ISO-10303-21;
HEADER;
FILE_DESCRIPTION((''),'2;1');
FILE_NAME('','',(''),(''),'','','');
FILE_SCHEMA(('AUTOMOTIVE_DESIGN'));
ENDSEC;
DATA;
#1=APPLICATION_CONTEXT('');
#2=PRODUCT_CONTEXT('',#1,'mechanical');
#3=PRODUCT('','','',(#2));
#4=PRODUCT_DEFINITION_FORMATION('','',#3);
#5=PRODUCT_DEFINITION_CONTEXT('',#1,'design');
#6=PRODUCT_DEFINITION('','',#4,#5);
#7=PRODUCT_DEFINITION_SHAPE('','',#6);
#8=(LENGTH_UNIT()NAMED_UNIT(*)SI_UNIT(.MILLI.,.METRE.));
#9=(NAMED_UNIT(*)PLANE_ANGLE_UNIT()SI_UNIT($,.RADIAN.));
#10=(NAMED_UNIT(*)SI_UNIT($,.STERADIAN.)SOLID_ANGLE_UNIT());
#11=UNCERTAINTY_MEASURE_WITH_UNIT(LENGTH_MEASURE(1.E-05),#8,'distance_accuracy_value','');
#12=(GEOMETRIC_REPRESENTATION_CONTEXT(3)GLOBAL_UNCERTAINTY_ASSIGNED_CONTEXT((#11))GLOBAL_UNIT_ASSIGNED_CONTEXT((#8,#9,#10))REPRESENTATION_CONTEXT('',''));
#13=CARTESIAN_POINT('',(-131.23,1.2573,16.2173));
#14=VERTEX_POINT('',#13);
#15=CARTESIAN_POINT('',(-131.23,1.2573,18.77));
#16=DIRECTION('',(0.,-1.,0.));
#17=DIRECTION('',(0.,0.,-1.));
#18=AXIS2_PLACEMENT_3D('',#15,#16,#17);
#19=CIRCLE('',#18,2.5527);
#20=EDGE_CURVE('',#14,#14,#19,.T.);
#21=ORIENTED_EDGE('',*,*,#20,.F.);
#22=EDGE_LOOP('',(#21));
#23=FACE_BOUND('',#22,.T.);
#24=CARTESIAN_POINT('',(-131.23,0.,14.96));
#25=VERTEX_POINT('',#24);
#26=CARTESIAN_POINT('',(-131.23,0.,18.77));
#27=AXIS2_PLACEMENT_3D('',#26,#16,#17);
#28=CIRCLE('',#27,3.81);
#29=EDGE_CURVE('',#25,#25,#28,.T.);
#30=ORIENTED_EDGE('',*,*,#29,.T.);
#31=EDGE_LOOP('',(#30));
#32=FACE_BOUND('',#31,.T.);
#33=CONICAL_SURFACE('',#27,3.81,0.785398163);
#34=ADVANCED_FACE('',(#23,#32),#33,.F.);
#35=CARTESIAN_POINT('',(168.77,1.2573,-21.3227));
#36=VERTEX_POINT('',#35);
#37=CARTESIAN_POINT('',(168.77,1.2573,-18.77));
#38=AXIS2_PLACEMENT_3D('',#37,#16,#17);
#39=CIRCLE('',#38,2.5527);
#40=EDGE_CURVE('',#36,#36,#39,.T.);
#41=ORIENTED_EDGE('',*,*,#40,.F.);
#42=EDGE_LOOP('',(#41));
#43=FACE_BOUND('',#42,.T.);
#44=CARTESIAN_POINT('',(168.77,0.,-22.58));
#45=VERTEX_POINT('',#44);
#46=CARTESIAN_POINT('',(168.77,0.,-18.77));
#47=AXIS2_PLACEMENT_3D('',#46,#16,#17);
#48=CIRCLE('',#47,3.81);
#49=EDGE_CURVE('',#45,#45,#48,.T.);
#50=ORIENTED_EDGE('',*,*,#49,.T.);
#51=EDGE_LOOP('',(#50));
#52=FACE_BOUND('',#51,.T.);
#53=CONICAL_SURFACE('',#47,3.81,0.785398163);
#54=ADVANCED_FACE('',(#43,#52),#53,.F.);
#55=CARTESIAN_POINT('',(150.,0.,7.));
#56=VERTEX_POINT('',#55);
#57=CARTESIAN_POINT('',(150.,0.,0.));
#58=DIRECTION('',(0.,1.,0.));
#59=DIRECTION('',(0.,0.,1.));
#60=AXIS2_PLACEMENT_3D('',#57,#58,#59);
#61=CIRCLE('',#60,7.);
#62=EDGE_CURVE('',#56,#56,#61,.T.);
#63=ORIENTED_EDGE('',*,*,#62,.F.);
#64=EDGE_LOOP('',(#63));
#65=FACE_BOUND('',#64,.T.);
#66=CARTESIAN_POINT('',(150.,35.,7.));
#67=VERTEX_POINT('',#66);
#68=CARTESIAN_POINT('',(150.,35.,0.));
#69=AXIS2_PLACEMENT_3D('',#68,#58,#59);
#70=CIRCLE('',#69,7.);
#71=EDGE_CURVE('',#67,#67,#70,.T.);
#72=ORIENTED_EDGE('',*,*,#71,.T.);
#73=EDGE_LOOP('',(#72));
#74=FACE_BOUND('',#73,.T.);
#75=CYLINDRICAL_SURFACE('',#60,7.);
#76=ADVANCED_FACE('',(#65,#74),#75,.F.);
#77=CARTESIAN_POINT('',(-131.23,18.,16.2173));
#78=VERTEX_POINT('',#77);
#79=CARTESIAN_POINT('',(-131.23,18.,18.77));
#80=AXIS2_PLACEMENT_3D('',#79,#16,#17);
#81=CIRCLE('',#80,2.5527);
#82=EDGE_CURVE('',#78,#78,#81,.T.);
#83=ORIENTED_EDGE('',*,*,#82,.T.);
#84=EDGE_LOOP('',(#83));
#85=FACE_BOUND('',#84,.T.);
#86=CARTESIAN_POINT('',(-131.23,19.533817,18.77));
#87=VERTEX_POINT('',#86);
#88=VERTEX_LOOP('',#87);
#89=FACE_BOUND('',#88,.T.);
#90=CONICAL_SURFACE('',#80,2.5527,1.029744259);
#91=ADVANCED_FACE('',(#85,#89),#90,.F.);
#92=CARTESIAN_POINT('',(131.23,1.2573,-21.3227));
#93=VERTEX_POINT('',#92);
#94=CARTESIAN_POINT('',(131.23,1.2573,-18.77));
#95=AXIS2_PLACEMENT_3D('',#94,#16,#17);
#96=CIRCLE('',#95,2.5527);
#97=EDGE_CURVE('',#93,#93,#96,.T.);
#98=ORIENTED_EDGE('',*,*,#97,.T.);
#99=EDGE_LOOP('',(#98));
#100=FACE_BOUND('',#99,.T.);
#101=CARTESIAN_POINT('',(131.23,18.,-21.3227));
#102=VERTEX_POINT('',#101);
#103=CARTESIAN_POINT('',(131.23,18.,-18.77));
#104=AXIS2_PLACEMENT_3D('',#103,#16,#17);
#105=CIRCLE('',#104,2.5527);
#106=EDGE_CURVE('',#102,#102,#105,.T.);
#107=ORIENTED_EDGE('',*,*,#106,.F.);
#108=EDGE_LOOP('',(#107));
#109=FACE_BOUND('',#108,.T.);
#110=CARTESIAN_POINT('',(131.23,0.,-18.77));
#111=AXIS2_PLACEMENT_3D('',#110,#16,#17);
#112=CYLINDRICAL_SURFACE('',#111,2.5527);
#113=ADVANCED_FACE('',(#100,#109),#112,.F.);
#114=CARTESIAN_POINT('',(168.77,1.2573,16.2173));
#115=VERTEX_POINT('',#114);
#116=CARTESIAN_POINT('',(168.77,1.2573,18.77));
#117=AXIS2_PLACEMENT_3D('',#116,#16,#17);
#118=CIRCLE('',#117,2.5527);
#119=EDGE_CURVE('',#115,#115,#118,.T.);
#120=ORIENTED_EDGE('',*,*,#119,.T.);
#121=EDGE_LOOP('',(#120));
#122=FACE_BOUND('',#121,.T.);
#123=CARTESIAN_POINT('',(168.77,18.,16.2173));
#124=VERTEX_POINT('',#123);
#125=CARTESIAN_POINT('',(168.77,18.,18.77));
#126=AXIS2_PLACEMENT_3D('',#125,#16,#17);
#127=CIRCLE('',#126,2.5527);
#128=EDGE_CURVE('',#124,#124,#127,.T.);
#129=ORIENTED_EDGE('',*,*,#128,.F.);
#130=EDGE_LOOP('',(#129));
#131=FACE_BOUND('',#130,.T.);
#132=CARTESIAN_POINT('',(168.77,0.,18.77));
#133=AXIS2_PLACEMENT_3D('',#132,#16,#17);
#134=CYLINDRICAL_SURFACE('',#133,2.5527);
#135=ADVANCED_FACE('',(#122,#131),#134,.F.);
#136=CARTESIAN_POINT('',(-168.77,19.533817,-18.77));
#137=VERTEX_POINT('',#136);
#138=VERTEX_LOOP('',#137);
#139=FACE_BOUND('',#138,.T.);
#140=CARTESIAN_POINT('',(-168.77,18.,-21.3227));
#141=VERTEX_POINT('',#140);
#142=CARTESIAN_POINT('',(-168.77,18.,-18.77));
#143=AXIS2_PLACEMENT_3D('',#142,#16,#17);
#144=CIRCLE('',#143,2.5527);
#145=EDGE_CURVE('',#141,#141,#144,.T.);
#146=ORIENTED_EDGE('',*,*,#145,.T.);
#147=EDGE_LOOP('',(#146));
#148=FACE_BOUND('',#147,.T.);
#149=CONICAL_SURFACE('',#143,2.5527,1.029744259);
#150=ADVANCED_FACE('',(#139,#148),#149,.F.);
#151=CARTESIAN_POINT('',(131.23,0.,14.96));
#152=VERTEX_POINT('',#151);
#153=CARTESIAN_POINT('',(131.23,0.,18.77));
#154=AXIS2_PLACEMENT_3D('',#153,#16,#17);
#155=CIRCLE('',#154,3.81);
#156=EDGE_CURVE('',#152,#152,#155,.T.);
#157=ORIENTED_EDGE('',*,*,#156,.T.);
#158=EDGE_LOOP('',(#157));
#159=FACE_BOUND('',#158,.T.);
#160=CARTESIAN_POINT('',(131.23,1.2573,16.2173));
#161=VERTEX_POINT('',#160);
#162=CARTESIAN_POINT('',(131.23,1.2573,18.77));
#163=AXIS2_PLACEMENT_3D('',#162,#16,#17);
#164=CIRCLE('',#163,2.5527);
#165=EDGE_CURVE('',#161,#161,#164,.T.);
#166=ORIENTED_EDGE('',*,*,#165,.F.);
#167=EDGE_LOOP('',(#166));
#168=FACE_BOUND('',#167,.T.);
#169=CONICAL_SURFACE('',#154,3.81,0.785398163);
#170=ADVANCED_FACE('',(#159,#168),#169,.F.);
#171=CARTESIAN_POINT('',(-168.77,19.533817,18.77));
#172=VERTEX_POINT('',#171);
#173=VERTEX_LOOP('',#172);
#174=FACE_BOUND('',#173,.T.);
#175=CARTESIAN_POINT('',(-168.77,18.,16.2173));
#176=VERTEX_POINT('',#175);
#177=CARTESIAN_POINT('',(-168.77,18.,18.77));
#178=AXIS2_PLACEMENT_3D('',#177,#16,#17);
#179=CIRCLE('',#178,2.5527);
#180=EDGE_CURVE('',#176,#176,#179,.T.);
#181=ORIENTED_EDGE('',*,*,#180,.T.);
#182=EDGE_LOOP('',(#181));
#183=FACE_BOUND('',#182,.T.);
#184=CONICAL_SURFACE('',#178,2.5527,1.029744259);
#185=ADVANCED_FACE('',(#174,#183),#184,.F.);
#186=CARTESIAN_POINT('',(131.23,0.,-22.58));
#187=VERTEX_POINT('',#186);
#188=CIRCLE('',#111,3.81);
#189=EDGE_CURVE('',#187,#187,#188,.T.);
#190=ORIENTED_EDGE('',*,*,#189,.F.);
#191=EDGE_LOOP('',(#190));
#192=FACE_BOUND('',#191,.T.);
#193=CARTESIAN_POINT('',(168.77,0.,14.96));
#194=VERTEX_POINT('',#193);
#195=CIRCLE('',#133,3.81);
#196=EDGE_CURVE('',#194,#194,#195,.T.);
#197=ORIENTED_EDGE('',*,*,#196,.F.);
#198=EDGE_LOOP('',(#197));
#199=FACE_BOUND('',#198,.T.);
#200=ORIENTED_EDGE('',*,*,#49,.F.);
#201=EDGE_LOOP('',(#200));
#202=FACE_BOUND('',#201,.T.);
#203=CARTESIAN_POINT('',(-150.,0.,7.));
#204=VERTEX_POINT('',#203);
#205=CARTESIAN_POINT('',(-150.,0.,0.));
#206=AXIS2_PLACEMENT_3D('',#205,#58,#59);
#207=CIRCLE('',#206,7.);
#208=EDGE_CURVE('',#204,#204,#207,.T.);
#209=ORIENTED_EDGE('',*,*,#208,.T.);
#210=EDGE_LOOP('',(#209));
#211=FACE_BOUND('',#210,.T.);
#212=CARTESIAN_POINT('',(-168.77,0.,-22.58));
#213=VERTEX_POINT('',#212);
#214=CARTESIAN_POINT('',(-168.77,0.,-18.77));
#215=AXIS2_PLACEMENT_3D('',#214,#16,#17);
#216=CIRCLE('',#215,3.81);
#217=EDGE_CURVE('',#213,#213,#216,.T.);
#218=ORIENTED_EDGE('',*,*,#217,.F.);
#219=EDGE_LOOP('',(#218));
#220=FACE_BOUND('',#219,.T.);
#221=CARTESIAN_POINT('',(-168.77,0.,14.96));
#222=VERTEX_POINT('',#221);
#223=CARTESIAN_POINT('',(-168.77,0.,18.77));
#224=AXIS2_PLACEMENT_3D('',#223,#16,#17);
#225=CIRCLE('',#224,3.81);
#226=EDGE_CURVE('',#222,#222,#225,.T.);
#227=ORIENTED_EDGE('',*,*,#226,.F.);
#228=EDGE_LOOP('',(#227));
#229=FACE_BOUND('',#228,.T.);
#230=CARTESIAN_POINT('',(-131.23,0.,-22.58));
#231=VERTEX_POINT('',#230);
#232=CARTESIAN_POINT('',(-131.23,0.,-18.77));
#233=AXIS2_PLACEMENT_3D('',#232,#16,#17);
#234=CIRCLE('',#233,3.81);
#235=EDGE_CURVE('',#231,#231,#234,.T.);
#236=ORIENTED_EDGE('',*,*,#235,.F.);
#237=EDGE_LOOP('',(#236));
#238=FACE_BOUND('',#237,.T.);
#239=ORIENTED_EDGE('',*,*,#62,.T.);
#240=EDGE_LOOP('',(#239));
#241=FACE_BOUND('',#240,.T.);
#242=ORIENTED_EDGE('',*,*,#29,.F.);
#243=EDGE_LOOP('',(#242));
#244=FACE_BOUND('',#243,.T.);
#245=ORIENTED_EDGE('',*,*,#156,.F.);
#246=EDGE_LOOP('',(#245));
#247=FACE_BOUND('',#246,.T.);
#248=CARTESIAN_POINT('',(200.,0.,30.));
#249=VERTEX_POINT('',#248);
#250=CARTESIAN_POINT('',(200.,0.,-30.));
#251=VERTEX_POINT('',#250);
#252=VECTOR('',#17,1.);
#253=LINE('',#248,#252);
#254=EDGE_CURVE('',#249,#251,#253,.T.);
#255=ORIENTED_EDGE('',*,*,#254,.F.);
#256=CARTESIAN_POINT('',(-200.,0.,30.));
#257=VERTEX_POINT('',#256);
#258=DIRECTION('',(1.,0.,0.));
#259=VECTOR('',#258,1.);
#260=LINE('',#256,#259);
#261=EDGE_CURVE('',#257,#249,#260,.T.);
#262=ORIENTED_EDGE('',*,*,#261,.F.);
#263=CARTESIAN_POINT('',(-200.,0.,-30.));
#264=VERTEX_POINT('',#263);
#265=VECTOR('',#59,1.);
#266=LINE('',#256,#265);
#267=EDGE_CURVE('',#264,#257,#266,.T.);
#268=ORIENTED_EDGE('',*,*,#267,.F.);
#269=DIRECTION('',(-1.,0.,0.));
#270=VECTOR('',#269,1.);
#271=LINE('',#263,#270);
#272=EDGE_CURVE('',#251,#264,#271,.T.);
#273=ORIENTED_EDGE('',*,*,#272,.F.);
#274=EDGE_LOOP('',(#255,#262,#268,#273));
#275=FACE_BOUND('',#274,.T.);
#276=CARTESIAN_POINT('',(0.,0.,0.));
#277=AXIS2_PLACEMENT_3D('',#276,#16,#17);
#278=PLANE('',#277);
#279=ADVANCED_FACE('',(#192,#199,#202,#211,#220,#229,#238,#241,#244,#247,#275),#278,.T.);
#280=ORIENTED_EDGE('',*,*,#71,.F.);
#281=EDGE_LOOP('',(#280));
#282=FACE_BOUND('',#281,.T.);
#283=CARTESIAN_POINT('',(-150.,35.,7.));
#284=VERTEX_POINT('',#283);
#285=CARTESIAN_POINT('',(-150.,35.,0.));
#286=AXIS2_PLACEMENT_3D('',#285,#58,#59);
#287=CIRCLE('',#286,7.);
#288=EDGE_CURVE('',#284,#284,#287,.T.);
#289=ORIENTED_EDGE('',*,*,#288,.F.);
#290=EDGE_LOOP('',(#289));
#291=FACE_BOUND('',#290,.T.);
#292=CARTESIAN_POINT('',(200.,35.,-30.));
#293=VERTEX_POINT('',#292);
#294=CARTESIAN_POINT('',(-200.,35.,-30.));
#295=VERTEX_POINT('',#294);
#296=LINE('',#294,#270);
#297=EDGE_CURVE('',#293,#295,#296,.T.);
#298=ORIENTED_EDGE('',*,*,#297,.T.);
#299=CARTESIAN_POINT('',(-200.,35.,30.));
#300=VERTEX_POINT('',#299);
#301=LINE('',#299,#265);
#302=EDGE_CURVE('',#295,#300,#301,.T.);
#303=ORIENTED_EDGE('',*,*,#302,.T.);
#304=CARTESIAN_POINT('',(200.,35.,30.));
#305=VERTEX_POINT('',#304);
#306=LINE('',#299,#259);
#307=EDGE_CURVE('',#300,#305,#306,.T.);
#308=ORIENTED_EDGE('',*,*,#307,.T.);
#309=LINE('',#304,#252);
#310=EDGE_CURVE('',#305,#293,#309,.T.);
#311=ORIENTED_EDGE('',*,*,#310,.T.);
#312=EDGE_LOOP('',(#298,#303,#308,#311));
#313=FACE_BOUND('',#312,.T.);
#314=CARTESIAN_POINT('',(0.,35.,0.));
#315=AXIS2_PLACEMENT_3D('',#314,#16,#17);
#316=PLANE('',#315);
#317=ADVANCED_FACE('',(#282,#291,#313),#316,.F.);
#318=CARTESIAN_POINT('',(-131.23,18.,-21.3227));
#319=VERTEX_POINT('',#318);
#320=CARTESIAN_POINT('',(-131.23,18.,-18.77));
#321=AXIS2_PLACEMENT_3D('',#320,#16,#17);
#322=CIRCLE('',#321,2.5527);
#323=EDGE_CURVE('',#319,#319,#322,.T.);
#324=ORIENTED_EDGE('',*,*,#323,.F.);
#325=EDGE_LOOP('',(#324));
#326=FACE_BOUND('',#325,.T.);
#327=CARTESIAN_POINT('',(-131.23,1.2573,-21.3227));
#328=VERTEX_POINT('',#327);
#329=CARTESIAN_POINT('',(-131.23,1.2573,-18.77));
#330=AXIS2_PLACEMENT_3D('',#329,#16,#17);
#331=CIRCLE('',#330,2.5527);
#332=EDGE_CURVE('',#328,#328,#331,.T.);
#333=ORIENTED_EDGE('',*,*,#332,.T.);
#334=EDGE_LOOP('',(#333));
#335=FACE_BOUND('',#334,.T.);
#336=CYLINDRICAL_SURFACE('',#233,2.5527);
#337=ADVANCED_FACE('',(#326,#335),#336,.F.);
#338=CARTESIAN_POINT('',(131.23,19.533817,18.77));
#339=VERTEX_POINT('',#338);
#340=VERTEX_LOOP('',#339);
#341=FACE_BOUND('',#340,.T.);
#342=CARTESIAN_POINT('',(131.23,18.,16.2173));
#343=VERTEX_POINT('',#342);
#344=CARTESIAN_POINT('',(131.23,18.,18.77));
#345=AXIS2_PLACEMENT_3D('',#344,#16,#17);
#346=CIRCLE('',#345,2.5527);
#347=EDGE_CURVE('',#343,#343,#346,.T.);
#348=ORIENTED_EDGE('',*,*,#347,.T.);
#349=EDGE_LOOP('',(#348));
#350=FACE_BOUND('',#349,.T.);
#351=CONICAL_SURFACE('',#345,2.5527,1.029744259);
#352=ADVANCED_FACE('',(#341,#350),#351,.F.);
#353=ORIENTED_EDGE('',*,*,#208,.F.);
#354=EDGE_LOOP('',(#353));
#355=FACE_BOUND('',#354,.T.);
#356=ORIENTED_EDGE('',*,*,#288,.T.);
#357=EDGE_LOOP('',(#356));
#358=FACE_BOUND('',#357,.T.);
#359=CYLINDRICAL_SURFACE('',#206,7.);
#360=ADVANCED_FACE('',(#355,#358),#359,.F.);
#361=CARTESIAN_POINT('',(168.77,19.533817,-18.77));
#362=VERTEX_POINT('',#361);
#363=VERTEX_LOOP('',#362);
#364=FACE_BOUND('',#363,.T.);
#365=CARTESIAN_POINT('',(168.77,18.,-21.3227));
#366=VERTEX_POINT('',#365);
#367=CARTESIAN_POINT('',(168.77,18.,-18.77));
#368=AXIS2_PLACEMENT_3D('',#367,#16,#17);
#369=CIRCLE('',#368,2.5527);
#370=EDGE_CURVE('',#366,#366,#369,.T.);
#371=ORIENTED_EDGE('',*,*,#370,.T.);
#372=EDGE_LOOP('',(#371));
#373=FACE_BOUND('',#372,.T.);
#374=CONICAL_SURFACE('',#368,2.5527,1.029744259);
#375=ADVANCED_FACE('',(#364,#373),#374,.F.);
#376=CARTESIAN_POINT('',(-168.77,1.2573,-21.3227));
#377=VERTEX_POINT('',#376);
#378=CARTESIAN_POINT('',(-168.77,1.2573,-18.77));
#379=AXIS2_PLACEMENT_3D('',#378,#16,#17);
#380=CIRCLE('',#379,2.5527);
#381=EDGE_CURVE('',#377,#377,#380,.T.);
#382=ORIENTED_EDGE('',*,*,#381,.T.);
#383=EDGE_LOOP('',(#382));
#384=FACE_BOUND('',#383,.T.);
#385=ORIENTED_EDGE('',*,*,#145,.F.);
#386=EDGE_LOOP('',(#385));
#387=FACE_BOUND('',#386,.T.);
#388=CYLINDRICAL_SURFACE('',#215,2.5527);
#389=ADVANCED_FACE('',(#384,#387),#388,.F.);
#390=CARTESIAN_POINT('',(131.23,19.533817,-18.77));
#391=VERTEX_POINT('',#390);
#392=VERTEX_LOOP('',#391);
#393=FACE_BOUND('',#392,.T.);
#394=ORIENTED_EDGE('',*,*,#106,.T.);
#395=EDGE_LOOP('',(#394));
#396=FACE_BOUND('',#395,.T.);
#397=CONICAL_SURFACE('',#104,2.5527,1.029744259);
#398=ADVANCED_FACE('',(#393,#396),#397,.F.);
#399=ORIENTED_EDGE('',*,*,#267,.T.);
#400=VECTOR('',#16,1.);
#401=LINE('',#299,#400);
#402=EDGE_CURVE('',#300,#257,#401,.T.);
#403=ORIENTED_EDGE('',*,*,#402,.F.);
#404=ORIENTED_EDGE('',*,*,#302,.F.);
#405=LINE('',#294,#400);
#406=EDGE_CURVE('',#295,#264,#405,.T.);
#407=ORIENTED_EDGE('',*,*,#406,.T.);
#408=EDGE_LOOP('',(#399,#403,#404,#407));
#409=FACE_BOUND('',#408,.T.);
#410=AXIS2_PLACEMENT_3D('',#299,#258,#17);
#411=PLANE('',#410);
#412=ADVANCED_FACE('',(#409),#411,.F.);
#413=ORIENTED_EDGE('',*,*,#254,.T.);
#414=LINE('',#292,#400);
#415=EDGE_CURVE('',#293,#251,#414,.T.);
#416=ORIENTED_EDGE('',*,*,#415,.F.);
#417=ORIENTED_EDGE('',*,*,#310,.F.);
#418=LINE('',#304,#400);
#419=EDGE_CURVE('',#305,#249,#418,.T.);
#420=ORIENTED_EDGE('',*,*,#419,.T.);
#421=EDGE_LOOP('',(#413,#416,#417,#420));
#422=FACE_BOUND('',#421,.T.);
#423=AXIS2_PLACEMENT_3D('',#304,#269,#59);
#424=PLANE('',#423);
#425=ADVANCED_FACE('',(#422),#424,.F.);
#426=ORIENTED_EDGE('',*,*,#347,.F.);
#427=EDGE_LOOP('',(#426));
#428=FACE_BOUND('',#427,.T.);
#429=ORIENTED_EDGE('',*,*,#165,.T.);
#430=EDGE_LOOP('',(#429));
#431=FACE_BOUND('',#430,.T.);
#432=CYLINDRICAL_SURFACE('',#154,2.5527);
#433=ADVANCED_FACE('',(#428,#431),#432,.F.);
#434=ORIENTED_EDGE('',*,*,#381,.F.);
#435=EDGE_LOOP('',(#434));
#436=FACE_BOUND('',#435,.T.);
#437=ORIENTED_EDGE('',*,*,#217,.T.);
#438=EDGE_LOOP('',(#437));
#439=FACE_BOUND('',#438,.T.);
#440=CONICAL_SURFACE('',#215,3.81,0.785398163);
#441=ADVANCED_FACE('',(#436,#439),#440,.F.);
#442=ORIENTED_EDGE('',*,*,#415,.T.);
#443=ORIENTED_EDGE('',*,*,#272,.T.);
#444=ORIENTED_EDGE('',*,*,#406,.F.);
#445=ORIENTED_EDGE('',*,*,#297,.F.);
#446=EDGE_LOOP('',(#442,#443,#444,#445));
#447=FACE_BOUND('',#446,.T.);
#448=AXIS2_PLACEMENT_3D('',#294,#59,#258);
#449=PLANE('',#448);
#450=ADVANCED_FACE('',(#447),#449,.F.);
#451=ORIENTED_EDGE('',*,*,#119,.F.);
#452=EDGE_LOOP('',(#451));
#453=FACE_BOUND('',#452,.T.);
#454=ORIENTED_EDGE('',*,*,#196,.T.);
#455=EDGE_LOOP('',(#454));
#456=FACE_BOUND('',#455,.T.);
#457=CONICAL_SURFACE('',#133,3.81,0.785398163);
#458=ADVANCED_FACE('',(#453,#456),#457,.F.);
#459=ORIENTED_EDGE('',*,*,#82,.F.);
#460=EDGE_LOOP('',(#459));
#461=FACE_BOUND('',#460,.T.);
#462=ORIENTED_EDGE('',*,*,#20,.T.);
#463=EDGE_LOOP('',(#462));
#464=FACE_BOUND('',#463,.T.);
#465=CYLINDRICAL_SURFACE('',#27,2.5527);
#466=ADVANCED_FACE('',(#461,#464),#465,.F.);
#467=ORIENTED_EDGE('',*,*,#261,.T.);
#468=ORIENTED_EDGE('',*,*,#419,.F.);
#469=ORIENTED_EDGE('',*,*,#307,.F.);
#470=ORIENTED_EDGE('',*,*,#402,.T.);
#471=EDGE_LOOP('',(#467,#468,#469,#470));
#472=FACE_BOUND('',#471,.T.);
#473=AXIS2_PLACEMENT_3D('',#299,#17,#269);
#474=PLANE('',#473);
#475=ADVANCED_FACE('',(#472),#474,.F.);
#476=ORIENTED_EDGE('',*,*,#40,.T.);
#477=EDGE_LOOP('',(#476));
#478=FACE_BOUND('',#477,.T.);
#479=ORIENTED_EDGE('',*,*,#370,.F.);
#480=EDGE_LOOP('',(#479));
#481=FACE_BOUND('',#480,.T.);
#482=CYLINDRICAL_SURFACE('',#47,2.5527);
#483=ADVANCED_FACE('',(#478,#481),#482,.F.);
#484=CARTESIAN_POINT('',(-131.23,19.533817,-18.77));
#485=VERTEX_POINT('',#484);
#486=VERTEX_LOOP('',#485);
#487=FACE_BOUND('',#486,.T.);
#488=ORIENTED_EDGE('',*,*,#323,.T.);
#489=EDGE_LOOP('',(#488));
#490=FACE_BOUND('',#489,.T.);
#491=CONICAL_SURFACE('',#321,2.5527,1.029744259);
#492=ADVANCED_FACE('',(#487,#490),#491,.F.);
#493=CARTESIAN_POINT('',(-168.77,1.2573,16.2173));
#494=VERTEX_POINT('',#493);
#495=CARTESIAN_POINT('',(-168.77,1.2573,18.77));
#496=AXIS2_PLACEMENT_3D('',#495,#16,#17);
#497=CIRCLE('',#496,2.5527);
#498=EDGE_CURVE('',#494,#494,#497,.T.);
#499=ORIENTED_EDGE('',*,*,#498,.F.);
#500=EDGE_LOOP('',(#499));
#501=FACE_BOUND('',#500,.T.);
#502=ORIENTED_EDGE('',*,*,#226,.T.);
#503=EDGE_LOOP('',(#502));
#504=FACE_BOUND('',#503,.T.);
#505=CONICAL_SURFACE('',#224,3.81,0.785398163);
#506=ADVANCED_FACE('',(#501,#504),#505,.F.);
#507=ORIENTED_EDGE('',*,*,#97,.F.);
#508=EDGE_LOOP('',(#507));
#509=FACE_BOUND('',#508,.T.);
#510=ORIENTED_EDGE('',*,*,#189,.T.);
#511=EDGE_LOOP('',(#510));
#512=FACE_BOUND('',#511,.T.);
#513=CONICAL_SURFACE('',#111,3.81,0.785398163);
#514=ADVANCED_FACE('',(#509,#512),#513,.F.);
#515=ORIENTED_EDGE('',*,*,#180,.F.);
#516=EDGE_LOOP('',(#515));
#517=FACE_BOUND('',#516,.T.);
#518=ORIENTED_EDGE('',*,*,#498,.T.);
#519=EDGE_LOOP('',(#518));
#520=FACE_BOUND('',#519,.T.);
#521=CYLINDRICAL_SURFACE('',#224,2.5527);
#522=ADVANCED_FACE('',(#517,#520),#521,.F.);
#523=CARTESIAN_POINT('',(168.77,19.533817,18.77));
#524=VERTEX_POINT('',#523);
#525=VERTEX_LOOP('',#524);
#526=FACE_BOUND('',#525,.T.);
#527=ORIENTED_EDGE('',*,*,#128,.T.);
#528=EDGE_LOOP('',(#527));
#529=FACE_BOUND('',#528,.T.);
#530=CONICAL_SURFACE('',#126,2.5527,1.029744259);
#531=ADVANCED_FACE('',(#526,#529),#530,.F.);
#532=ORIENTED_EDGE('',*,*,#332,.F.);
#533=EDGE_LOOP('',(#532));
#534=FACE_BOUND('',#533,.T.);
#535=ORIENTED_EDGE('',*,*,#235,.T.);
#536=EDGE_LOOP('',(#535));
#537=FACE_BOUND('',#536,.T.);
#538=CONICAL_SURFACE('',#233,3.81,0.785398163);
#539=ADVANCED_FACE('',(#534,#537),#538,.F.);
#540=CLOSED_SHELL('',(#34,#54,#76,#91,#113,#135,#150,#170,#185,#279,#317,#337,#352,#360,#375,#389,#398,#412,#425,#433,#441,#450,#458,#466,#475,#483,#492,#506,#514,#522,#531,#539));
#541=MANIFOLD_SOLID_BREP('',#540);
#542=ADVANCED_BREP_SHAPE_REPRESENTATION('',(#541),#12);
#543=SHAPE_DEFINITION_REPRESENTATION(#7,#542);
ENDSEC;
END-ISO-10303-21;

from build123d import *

# Parameters (mm, degrees)
SKETCH1_W                         = 400
SKETCH1_H                         = 60
BOSS_EXTRUDE1_DEPTH               = 35
SKETCH2_R                         = 7
CUT_EXTRUDE1_DEPTH                = 206.243757518
F_1_4_20_TAPPED_HOLE1_D           = 5.1054
F_1_4_20_TAPPED_HOLE1_DEPTH       = 18
F_1_4_20_TAPPED_HOLE1_CSINK_D     = 7.62
F_1_4_20_TAPPED_HOLE1_CSINK_ANGLE = 90
F_1_4_20_TAPPED_HOLE1_TIP         = 1.533816902


with BuildPart() as part:
    # Sketch1 → Boss-Extrude1 (new body)
    with BuildSketch(Plane(origin=(0, 0, 0), x_dir=(1, 0, 0), z_dir=(0, 1, 0))):
        Rectangle(SKETCH1_W, SKETCH1_H)
    extrude(amount=BOSS_EXTRUDE1_DEPTH)

    # Sketch2 → Cut-Extrude1 (cut, through all)
    with BuildSketch(Plane(origin=(0, 35, 0), x_dir=(1, 0, 0), z_dir=(0, 1, 0))):
        with Locations(Location((-150, 0, 0), (0, 0, 270))):
            Circle(SKETCH2_R)
        with Locations(Location((150, 0, 0), (0, 0, 270))):
            Circle(SKETCH2_R)
    extrude(amount=-CUT_EXTRUDE1_DEPTH, mode=Mode.SUBTRACT)

    # 1/4-20 Tapped Hole1
    with Locations(Plane.XZ):
        with Locations((-168.77, 18.77), (-131.23, 18.77), (-131.23, -18.77), (-168.77, -18.77), (131.23, 18.77), (168.77, 18.77), (168.77, -18.77), (131.23, -18.77)):
            CounterSinkHole(F_1_4_20_TAPPED_HOLE1_D / 2, F_1_4_20_TAPPED_HOLE1_CSINK_D / 2, depth=F_1_4_20_TAPPED_HOLE1_DEPTH, counter_sink_angle=F_1_4_20_TAPPED_HOLE1_CSINK_ANGLE)
            with Locations((0, 0, -(F_1_4_20_TAPPED_HOLE1_DEPTH + F_1_4_20_TAPPED_HOLE1_TIP / 2))):  # 118° drill point
                Cone(0, F_1_4_20_TAPPED_HOLE1_D / 2, F_1_4_20_TAPPED_HOLE1_TIP, mode=Mode.SUBTRACT)


solid = part.part
